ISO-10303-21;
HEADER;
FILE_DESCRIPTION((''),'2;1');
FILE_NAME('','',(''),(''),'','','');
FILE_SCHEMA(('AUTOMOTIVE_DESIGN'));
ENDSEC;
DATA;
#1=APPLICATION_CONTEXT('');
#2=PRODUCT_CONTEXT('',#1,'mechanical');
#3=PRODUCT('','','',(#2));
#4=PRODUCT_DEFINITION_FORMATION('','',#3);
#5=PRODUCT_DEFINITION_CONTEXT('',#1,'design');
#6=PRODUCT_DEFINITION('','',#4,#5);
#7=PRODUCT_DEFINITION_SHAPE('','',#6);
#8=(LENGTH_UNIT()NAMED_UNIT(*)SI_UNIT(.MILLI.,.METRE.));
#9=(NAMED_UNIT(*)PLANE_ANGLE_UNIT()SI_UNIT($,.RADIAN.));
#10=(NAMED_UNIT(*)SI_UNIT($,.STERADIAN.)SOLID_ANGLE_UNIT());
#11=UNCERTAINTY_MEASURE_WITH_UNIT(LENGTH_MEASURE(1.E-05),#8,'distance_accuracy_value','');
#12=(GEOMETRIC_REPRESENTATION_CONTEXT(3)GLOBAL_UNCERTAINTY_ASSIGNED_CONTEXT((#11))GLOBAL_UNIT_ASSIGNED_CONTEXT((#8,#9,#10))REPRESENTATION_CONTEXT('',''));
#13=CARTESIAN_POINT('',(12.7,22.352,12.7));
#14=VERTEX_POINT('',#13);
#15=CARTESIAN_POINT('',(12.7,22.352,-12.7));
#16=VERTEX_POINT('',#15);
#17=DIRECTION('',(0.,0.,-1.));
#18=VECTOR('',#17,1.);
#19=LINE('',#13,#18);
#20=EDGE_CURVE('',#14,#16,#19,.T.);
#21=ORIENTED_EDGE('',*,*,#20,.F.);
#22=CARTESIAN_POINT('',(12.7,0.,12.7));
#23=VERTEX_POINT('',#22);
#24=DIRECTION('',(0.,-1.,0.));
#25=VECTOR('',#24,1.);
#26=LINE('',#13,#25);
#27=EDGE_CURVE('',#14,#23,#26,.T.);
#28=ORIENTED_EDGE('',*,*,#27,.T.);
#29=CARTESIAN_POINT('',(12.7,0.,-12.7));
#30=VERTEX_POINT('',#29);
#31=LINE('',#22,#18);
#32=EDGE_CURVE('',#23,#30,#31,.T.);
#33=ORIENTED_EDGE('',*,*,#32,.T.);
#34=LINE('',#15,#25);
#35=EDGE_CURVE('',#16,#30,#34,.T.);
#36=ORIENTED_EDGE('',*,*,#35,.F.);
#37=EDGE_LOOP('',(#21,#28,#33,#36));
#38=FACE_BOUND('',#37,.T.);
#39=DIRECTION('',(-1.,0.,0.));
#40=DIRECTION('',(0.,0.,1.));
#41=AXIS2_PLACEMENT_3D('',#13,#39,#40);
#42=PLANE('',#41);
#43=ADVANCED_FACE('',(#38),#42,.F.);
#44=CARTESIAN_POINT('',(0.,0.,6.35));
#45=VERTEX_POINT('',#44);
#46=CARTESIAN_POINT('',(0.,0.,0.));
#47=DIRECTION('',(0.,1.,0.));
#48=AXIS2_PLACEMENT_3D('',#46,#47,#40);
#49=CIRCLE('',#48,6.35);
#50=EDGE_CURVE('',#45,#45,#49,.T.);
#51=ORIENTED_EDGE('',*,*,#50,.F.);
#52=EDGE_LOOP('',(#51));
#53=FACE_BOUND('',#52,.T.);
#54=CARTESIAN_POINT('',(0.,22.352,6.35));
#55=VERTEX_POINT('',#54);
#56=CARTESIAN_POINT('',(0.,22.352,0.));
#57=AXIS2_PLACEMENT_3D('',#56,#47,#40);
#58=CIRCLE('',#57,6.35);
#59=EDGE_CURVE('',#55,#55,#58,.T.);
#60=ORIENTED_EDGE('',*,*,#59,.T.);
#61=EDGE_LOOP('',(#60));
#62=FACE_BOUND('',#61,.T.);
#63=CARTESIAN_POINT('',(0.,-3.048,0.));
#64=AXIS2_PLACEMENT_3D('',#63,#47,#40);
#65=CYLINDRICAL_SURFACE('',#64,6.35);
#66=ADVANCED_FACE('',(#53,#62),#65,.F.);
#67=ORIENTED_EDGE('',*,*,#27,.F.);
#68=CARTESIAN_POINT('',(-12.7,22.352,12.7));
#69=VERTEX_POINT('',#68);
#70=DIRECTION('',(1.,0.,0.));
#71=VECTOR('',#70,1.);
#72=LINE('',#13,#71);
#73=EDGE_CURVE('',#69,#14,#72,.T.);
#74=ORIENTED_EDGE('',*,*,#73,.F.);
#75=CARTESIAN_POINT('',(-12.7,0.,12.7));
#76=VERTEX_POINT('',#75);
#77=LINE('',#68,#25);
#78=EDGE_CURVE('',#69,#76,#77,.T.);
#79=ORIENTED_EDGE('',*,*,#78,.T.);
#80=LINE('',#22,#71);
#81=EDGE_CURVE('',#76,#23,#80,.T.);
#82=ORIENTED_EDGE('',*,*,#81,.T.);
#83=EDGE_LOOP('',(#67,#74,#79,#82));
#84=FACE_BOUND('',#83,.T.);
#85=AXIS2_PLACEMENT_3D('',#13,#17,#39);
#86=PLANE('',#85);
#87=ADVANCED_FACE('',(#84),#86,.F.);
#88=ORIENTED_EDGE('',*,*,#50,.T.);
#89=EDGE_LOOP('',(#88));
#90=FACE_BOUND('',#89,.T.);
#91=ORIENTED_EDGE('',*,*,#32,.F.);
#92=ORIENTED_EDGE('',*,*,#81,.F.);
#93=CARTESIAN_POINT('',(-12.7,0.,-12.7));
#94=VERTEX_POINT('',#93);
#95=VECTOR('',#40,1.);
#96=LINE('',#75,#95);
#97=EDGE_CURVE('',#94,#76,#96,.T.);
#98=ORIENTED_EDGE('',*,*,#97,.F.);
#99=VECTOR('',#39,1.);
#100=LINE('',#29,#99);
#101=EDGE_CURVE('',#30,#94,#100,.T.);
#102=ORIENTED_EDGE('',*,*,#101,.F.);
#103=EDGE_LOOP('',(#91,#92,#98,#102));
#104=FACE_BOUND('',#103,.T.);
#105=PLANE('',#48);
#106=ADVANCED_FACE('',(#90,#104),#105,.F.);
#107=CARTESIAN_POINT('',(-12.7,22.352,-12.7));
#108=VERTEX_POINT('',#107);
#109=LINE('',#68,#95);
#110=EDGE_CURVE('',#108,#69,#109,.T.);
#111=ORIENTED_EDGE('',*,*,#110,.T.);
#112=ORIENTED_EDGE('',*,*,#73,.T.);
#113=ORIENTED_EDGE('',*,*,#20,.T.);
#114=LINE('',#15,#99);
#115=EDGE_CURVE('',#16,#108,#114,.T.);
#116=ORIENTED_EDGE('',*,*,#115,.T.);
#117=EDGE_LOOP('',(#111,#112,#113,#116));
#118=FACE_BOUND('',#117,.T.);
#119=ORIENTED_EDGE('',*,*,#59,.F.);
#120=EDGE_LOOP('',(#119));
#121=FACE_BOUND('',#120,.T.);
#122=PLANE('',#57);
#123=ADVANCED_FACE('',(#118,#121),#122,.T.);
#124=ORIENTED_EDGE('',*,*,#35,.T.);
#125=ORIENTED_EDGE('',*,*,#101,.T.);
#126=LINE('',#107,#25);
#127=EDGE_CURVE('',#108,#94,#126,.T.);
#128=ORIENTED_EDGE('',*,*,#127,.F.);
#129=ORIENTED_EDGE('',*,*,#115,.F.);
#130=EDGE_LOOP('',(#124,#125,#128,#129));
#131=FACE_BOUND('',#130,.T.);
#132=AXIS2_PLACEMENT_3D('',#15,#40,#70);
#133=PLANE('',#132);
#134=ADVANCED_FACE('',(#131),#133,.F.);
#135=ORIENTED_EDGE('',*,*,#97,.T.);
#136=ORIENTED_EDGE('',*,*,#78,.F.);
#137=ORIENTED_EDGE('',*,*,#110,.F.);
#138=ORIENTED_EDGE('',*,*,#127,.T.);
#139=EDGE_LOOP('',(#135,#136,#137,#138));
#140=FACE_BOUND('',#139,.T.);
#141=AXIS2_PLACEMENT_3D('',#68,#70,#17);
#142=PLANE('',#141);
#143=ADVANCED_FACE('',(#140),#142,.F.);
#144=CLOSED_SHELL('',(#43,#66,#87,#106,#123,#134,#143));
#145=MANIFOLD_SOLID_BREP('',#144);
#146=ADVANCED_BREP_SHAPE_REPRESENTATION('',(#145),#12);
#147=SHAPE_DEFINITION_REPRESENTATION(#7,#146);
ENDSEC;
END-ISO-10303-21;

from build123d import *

# Parameters (mm, degrees)
SKETCH1_W           = 25.4
SKETCH1_H           = 25.4
BOSS_EXTRUDE1_DEPTH = 22.352
SKETCH2_R           = 6.35
CUT_EXTRUDE1_DEPTH  = 25.4


with BuildPart() as part:
    # Sketch1 → Boss-Extrude1 (new body)
    with BuildSketch(Plane(origin=(0, 0, 0), x_dir=(1, 0, 0), z_dir=(0, 1, 0))):
        Rectangle(SKETCH1_W, SKETCH1_H)
    extrude(amount=BOSS_EXTRUDE1_DEPTH)

    # Sketch2 → Cut-Extrude1 (cut)
    with BuildSketch(Plane(origin=(0, 22.352, 0), x_dir=(1, 0, 0), z_dir=(0, 1, 0))):
        Circle(SKETCH2_R)
    extrude(amount=-CUT_EXTRUDE1_DEPTH, mode=Mode.SUBTRACT)


solid = part.part
